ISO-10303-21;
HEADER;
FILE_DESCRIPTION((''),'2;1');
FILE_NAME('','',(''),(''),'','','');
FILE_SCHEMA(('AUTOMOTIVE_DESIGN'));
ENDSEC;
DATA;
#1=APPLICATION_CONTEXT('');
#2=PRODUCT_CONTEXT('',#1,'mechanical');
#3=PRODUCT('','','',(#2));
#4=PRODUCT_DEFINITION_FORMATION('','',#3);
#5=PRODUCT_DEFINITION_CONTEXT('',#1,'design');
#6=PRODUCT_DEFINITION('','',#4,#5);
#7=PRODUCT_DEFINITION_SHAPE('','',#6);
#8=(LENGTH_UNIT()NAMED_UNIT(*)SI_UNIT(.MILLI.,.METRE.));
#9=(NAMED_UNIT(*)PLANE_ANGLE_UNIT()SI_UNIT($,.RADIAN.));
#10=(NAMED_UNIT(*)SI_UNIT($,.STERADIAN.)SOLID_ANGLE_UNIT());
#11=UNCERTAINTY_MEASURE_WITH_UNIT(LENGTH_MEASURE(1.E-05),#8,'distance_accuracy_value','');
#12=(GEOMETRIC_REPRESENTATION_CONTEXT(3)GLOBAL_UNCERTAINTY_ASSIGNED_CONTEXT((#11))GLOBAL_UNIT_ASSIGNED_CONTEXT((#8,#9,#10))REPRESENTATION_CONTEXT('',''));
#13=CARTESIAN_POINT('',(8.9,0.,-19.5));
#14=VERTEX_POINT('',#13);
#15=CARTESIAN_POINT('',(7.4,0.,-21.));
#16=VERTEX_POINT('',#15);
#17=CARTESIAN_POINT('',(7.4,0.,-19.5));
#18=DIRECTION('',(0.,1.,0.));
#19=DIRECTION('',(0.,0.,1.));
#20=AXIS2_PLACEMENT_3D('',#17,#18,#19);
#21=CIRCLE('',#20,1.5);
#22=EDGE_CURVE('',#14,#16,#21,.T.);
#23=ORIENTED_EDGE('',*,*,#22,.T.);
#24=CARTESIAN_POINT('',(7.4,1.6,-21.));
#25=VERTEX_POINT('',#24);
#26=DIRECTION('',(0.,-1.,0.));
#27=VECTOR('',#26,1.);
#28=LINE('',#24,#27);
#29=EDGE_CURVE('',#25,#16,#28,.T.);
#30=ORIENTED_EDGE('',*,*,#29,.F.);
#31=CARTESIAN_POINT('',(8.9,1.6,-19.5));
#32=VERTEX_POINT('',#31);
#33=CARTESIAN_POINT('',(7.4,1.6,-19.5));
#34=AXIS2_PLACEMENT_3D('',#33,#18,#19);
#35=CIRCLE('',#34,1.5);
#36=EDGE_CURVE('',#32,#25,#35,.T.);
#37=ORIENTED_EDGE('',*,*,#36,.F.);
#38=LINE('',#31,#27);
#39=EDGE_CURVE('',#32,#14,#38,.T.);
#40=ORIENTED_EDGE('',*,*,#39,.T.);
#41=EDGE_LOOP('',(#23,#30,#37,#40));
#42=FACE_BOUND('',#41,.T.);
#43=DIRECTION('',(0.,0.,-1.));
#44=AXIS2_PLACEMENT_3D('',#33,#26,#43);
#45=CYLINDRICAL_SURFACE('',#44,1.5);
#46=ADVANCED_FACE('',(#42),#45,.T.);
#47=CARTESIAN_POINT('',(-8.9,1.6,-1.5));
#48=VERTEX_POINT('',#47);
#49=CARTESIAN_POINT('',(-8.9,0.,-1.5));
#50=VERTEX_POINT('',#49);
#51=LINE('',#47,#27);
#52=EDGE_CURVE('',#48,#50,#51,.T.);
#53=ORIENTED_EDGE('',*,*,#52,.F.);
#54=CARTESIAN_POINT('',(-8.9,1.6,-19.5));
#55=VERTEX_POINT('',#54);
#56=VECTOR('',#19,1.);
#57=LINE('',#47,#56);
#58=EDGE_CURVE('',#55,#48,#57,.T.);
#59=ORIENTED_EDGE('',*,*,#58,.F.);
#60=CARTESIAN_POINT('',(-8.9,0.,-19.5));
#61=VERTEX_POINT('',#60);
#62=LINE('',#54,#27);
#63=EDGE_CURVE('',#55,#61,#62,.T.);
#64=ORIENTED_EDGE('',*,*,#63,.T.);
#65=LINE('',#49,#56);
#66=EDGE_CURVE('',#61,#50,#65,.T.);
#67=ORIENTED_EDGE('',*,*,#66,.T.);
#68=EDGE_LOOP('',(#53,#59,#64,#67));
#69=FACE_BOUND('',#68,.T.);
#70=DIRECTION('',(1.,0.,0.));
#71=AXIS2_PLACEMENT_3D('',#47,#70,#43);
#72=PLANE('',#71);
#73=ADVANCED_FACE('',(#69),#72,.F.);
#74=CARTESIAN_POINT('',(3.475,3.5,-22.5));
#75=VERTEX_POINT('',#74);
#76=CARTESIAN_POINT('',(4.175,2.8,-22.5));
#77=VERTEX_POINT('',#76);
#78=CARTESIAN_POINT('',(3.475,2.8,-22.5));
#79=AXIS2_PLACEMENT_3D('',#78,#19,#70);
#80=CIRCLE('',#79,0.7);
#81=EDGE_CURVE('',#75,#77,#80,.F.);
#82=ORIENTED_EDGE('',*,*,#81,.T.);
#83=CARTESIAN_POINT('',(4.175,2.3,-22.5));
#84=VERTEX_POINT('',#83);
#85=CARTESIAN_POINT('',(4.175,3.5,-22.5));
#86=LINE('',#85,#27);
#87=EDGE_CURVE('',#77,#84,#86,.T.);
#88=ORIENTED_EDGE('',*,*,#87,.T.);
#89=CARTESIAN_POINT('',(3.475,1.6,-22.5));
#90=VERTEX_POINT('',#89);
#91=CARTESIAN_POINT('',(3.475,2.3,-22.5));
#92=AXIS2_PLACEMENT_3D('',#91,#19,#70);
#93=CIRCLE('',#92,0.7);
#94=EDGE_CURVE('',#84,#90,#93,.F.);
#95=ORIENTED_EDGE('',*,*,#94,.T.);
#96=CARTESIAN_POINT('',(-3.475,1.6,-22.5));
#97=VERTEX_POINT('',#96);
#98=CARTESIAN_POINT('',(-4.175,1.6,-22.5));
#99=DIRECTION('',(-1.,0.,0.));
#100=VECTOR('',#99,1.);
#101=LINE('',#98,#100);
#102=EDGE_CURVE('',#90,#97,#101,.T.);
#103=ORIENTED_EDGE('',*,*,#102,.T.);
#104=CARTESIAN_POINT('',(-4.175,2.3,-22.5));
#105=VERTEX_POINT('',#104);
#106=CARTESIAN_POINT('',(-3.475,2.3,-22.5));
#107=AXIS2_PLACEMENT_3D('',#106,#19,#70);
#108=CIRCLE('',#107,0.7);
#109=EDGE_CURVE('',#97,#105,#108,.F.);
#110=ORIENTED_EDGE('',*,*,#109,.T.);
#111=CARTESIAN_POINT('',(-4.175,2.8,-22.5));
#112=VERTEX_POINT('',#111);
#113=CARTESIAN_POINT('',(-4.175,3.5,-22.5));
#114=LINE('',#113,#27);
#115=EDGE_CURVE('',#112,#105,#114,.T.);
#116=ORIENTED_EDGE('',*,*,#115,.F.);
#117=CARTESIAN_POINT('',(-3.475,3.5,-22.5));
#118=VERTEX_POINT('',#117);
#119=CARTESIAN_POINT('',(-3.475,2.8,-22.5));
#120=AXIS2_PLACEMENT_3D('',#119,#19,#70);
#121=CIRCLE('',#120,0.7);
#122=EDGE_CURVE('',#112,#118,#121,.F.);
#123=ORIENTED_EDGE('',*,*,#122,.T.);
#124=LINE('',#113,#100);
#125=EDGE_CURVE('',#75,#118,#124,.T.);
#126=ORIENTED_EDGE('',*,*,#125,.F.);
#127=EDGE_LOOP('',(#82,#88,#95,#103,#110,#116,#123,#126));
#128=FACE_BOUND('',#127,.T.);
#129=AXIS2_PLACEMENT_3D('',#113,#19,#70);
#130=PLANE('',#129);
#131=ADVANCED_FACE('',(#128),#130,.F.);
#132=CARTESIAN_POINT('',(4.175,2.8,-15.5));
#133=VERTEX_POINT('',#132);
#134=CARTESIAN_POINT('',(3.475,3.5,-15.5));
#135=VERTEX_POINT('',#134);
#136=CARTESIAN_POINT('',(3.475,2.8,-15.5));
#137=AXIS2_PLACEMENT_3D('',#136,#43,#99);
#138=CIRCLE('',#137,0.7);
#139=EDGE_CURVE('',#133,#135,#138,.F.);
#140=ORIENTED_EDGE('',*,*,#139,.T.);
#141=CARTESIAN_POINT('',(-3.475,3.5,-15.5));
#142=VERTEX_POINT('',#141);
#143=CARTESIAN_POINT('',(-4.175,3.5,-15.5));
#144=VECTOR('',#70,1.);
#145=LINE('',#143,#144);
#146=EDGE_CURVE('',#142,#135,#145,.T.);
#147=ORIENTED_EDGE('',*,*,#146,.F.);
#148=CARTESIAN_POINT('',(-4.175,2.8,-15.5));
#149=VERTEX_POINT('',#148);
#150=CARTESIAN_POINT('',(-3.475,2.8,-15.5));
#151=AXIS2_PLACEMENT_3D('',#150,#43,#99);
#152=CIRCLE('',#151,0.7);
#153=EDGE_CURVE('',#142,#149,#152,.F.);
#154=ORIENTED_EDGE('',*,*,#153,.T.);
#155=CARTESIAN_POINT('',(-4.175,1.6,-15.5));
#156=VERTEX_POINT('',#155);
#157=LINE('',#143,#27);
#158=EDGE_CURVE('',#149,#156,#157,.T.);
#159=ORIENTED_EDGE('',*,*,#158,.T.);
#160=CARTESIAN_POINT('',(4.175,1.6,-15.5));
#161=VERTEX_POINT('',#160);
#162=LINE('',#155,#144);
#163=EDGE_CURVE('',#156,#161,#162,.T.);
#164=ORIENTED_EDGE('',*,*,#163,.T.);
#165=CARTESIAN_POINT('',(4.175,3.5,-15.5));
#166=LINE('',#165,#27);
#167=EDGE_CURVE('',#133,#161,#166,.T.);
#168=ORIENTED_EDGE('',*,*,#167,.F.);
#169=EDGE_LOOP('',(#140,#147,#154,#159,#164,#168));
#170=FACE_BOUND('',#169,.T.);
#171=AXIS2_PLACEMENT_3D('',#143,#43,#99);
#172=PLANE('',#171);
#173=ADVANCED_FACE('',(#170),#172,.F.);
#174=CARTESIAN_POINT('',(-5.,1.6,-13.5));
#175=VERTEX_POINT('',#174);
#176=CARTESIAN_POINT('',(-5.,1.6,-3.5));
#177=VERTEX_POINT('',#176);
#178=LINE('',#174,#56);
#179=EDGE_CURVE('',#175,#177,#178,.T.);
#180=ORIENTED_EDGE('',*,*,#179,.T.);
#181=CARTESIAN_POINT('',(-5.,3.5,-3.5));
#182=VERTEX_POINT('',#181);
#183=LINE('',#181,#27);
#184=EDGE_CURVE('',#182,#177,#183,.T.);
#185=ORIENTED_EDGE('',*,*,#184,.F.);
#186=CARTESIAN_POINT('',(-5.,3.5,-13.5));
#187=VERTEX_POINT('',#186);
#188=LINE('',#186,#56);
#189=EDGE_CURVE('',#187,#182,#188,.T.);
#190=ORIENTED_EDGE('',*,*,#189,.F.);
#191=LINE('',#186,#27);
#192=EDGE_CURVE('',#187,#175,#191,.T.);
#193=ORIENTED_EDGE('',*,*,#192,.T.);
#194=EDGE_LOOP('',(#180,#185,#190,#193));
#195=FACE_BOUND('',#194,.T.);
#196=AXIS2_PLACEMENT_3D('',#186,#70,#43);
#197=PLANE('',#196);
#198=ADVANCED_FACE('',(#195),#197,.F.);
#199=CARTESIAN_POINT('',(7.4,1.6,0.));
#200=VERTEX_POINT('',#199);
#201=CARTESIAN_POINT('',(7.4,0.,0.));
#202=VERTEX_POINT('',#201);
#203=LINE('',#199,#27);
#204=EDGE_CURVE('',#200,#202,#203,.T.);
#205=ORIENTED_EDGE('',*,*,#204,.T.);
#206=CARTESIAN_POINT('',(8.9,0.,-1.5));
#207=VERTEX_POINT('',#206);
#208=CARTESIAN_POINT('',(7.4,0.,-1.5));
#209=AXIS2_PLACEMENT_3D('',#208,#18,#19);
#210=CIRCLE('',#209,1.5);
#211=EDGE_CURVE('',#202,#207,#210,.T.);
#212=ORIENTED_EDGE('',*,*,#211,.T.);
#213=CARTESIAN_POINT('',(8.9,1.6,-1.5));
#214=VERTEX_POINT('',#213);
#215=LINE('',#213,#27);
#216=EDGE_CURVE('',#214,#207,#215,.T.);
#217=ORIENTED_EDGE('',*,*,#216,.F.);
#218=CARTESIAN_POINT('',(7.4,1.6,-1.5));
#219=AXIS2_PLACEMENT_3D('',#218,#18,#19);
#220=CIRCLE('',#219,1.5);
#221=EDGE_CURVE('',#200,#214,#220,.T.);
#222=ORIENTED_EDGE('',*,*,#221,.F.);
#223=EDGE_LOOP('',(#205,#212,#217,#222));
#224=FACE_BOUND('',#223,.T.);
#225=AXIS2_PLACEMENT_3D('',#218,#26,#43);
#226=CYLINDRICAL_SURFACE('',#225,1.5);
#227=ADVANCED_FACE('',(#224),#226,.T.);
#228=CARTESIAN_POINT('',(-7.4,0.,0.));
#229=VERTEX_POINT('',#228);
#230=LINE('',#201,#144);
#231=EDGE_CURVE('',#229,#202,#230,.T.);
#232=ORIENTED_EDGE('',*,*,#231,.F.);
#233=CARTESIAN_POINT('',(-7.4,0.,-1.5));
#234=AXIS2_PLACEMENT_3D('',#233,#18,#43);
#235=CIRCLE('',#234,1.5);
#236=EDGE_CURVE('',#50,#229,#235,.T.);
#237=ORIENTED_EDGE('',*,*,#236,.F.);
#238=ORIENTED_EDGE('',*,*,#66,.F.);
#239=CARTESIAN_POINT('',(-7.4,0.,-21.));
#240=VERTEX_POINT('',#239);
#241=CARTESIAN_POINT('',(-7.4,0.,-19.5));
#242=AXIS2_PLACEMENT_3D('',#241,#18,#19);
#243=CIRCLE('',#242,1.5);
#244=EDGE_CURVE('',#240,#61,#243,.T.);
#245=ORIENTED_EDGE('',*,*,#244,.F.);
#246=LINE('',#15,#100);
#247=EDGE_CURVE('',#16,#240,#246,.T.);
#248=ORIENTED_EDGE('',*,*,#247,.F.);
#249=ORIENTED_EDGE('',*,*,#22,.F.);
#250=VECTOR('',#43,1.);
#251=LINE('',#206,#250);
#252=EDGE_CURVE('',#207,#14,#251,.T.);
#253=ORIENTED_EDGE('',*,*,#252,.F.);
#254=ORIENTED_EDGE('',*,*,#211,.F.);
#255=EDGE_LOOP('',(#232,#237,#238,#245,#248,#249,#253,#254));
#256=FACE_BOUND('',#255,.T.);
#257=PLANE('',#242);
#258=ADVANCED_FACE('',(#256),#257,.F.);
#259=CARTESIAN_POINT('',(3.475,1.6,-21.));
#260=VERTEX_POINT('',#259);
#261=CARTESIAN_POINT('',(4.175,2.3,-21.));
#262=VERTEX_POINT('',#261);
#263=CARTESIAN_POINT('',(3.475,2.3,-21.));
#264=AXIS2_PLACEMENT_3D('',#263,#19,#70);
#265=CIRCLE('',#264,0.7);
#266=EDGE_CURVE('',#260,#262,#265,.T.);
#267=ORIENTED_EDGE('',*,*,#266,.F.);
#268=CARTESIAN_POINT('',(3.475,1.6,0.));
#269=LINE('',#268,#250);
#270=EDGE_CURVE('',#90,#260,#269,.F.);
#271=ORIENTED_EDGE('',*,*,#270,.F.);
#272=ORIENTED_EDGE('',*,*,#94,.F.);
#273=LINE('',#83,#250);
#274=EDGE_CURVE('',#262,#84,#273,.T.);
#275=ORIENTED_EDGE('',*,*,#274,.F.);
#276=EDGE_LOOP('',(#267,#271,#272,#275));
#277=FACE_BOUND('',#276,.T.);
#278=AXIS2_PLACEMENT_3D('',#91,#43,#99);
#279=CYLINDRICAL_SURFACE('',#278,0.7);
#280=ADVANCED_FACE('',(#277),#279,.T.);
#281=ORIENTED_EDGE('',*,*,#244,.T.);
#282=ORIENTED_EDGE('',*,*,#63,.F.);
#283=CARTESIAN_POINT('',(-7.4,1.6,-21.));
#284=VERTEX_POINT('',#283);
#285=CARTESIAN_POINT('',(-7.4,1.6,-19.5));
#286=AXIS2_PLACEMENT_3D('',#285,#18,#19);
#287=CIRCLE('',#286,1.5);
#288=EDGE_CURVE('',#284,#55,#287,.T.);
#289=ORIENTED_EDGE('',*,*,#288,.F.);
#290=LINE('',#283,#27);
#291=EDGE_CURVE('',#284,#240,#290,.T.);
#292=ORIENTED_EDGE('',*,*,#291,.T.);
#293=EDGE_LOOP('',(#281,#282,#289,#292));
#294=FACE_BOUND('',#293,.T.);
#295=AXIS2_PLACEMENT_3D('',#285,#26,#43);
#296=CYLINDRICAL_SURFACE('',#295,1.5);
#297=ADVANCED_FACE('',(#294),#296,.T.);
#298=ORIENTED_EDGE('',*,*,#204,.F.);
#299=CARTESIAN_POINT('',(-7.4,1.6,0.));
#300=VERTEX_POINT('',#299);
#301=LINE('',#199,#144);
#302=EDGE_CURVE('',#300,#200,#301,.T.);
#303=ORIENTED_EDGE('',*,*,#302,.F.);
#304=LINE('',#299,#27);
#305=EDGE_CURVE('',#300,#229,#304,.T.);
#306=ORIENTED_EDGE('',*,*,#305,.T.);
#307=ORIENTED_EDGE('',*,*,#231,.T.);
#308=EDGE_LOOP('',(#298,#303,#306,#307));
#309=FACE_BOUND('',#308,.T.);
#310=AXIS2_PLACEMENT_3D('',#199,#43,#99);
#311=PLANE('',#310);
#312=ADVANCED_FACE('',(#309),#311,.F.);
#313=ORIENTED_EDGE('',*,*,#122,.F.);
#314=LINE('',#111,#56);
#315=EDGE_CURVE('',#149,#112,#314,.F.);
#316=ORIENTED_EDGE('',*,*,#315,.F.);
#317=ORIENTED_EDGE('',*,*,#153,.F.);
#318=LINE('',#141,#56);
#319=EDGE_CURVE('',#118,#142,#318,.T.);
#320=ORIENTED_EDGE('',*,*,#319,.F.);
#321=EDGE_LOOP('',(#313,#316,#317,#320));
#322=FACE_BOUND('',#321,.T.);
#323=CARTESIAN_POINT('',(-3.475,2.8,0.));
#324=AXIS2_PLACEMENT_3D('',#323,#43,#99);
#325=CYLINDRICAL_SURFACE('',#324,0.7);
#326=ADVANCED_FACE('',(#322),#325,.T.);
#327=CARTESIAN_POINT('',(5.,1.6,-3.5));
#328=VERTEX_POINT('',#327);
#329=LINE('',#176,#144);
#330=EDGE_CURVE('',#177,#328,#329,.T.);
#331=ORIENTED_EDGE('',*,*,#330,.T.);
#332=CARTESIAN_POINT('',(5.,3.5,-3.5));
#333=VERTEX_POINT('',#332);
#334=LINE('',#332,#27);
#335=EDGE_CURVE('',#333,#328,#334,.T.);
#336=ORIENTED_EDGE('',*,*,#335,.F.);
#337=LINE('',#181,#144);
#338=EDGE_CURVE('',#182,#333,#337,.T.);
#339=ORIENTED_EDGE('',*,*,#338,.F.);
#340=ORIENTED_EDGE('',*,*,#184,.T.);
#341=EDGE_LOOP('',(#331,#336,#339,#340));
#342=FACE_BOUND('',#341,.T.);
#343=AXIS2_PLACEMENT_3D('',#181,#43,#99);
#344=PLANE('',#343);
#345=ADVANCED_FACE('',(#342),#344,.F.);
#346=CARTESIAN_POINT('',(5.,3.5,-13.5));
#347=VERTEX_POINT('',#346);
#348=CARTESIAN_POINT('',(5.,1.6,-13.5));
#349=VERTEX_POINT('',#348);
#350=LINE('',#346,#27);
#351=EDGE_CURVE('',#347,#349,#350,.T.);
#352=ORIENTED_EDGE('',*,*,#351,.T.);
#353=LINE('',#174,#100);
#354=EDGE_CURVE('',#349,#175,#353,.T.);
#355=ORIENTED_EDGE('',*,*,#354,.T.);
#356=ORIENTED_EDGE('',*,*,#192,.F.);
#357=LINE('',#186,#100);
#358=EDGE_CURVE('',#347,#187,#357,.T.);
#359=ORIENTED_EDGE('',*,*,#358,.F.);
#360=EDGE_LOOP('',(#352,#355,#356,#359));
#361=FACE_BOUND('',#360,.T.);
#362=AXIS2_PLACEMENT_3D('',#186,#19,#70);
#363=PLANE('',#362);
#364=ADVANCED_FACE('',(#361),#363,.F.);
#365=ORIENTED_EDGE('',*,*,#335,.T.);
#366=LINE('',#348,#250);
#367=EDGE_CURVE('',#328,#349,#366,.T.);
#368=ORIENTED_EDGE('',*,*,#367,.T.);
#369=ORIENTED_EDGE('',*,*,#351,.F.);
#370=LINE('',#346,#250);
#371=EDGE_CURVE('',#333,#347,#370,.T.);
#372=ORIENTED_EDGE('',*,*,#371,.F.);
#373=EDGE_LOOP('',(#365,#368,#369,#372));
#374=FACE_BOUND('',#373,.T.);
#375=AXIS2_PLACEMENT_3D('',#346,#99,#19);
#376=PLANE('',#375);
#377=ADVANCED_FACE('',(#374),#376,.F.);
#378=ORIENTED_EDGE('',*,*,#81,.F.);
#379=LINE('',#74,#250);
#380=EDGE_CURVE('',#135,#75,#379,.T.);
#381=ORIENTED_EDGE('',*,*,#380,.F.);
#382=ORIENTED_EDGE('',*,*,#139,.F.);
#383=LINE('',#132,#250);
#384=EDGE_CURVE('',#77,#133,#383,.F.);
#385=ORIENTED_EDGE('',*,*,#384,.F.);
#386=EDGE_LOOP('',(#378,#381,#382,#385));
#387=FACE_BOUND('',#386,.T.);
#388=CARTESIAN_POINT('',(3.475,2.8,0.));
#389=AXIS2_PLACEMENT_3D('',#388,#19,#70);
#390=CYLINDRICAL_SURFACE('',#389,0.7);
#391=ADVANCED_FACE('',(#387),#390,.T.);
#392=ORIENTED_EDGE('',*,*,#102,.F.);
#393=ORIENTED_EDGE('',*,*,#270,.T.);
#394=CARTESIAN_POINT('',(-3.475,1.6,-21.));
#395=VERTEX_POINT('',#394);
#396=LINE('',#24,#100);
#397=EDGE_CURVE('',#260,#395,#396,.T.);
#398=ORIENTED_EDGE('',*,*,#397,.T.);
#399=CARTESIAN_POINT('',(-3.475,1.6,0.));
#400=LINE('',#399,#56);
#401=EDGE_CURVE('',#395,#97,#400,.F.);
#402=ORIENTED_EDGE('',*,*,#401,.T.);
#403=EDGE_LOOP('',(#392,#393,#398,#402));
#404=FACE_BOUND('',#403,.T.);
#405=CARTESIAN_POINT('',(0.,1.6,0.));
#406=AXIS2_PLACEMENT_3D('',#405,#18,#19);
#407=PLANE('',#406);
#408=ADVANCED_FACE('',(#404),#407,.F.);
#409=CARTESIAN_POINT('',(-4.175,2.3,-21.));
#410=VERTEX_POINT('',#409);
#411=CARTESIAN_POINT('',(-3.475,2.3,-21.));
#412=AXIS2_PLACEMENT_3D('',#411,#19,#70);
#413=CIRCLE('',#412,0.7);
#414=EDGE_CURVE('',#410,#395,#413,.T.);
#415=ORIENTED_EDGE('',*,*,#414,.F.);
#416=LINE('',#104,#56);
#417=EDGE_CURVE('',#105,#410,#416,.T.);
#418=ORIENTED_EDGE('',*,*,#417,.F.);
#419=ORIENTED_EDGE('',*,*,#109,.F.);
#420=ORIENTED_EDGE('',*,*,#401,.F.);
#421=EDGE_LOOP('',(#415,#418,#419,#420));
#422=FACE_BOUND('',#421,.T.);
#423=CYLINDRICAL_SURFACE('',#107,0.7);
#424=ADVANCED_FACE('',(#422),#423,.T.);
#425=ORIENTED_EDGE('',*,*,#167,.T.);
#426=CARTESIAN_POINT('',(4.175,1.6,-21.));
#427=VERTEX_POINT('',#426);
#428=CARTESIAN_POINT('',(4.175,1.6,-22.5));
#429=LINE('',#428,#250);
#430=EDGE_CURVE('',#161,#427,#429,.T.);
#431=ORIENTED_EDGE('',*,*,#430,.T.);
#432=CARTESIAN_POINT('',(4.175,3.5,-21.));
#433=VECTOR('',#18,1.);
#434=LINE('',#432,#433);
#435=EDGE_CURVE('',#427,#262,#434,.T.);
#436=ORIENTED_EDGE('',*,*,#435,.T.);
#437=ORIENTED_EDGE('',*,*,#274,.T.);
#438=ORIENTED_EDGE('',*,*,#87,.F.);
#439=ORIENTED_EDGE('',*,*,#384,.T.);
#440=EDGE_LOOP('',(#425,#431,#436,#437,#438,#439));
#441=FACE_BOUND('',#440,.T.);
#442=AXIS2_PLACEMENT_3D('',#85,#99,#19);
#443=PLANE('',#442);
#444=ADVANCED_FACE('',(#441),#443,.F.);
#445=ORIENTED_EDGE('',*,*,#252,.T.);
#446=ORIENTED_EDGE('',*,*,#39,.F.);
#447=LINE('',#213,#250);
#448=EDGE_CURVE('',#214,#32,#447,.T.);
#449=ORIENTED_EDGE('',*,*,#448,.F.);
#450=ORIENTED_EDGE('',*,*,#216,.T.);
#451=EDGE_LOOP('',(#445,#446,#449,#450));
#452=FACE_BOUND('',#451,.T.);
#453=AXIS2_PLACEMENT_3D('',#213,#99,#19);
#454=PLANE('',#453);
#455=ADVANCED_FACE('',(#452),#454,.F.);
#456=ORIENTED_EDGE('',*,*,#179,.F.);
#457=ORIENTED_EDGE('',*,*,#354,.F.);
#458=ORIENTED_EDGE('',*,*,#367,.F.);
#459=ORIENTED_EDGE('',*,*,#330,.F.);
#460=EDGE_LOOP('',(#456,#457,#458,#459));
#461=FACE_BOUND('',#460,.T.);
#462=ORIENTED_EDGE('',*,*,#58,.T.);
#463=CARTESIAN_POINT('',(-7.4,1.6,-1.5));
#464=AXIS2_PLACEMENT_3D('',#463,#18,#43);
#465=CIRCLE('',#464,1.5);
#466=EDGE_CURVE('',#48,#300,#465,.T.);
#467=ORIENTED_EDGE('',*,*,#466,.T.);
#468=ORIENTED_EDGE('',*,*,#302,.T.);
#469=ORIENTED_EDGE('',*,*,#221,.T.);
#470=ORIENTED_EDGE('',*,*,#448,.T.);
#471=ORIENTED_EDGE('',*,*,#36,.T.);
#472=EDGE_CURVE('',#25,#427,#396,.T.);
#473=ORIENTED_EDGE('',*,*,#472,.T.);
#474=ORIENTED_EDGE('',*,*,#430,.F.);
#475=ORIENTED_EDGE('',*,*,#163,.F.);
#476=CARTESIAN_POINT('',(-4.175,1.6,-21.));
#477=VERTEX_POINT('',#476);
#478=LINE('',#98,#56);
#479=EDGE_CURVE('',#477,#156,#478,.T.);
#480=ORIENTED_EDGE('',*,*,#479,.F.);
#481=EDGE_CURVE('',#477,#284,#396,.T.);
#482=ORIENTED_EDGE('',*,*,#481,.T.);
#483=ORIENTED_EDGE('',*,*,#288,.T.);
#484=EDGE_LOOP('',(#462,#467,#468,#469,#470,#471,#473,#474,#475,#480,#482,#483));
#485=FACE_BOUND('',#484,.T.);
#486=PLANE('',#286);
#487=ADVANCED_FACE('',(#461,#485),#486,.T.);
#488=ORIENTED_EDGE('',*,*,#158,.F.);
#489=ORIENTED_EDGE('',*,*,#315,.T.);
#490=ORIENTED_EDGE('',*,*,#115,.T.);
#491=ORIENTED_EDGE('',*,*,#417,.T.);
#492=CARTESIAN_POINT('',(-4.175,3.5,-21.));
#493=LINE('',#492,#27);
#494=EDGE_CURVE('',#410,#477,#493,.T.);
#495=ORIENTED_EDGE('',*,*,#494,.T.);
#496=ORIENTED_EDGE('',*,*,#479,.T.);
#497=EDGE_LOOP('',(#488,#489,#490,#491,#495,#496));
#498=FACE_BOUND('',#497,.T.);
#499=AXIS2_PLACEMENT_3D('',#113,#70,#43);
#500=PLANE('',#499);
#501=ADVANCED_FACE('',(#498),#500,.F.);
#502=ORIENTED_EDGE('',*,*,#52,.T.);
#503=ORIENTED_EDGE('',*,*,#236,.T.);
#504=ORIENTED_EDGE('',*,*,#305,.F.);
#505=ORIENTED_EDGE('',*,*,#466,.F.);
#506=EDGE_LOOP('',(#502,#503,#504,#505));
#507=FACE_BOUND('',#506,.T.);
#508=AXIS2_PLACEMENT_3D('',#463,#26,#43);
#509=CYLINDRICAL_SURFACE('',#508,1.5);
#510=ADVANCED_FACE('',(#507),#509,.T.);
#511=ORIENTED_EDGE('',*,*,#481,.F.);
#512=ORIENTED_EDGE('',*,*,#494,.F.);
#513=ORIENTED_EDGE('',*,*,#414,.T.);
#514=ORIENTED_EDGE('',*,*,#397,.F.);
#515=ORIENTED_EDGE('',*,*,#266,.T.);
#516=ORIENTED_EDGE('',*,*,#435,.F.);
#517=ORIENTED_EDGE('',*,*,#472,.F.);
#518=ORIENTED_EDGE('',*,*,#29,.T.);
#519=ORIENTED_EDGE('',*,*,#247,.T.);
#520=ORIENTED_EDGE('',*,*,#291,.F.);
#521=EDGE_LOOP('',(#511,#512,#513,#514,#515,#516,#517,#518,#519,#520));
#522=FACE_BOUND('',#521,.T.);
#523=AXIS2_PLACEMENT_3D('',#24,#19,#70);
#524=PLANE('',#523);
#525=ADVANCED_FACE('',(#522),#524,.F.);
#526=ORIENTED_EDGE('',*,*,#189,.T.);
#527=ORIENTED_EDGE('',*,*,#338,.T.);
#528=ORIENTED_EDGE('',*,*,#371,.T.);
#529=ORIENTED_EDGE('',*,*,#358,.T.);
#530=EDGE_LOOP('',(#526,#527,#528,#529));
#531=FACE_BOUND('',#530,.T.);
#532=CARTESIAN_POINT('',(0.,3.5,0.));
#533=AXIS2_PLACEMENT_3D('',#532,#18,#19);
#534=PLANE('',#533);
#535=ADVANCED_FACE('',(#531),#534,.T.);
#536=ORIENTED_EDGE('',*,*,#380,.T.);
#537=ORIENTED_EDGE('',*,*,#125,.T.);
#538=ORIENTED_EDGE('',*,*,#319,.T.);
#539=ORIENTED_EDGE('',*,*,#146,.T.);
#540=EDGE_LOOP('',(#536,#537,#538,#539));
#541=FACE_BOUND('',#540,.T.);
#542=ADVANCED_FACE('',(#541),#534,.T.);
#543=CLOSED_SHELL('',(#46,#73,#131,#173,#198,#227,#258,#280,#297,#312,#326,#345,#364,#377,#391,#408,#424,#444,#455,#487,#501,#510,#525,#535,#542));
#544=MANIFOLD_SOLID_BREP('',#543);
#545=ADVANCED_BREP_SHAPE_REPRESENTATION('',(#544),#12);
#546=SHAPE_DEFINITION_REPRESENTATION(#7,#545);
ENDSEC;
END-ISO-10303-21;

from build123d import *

# Parameters (mm, degrees)
BOSS_EXTRUDE1_DEPTH = 1.6
SKETCH2_W           = 8.35
SKETCH2_H           = 7
SKETCH2_W_2         = 10
SKETCH2_H_2         = 10
BOSS_EXTRUDE2_DEPTH = 1.9
FILLET1_R           = 0.7


with BuildPart() as part:
    # Sketch1 → Boss-Extrude1 (new body)
    with BuildSketch(Plane(origin=(0, 0, 0), x_dir=(1, 0, 0), z_dir=(0, 1, 0))):
        with BuildLine():
            Line((7.4, 0), (-7.4, 0))
            ThreePointArc((-7.4, 0), (-8.460660172, 0.439339828), (-8.9, 1.5))
            Line((-8.9, 1.5), (-8.9, 19.5))
            ThreePointArc((-8.9, 19.5), (-8.460660172, 20.560660172), (-7.4, 21))
            Line((-7.4, 21), (7.4, 21))
            ThreePointArc((7.4, 21), (8.460660172, 20.560660172), (8.9, 19.5))
            Line((8.9, 19.5), (8.9, 1.5))
            ThreePointArc((8.9, 1.5), (8.460660172, 0.439339828), (7.4, 0))
        make_face()
    extrude(amount=BOSS_EXTRUDE1_DEPTH)

    # Sketch2 → Boss-Extrude2 (add)
    with BuildSketch(Plane(origin=(0, 1.6, 0), x_dir=(1, 0, 0), z_dir=(0, 1, 0))):
        with Locations((0, 19)):
            Rectangle(SKETCH2_W, SKETCH2_H)
        with Locations((0, 8.5)):
            Rectangle(SKETCH2_W_2, SKETCH2_H_2)
    extrude(amount=BOSS_EXTRUDE2_DEPTH)

    # Fillet1
    fillet1_edges = [part.edges().sort_by_distance(p)[0] for p in [
        (-4.175, 1.6, -21.75),
        (4.175, 1.6, -21.75),
        (-4.175, 3.5, -19),
        (4.175, 3.5, -19),
    ]]
    fillet(fillet1_edges, radius=FILLET1_R)


solid = part.part
